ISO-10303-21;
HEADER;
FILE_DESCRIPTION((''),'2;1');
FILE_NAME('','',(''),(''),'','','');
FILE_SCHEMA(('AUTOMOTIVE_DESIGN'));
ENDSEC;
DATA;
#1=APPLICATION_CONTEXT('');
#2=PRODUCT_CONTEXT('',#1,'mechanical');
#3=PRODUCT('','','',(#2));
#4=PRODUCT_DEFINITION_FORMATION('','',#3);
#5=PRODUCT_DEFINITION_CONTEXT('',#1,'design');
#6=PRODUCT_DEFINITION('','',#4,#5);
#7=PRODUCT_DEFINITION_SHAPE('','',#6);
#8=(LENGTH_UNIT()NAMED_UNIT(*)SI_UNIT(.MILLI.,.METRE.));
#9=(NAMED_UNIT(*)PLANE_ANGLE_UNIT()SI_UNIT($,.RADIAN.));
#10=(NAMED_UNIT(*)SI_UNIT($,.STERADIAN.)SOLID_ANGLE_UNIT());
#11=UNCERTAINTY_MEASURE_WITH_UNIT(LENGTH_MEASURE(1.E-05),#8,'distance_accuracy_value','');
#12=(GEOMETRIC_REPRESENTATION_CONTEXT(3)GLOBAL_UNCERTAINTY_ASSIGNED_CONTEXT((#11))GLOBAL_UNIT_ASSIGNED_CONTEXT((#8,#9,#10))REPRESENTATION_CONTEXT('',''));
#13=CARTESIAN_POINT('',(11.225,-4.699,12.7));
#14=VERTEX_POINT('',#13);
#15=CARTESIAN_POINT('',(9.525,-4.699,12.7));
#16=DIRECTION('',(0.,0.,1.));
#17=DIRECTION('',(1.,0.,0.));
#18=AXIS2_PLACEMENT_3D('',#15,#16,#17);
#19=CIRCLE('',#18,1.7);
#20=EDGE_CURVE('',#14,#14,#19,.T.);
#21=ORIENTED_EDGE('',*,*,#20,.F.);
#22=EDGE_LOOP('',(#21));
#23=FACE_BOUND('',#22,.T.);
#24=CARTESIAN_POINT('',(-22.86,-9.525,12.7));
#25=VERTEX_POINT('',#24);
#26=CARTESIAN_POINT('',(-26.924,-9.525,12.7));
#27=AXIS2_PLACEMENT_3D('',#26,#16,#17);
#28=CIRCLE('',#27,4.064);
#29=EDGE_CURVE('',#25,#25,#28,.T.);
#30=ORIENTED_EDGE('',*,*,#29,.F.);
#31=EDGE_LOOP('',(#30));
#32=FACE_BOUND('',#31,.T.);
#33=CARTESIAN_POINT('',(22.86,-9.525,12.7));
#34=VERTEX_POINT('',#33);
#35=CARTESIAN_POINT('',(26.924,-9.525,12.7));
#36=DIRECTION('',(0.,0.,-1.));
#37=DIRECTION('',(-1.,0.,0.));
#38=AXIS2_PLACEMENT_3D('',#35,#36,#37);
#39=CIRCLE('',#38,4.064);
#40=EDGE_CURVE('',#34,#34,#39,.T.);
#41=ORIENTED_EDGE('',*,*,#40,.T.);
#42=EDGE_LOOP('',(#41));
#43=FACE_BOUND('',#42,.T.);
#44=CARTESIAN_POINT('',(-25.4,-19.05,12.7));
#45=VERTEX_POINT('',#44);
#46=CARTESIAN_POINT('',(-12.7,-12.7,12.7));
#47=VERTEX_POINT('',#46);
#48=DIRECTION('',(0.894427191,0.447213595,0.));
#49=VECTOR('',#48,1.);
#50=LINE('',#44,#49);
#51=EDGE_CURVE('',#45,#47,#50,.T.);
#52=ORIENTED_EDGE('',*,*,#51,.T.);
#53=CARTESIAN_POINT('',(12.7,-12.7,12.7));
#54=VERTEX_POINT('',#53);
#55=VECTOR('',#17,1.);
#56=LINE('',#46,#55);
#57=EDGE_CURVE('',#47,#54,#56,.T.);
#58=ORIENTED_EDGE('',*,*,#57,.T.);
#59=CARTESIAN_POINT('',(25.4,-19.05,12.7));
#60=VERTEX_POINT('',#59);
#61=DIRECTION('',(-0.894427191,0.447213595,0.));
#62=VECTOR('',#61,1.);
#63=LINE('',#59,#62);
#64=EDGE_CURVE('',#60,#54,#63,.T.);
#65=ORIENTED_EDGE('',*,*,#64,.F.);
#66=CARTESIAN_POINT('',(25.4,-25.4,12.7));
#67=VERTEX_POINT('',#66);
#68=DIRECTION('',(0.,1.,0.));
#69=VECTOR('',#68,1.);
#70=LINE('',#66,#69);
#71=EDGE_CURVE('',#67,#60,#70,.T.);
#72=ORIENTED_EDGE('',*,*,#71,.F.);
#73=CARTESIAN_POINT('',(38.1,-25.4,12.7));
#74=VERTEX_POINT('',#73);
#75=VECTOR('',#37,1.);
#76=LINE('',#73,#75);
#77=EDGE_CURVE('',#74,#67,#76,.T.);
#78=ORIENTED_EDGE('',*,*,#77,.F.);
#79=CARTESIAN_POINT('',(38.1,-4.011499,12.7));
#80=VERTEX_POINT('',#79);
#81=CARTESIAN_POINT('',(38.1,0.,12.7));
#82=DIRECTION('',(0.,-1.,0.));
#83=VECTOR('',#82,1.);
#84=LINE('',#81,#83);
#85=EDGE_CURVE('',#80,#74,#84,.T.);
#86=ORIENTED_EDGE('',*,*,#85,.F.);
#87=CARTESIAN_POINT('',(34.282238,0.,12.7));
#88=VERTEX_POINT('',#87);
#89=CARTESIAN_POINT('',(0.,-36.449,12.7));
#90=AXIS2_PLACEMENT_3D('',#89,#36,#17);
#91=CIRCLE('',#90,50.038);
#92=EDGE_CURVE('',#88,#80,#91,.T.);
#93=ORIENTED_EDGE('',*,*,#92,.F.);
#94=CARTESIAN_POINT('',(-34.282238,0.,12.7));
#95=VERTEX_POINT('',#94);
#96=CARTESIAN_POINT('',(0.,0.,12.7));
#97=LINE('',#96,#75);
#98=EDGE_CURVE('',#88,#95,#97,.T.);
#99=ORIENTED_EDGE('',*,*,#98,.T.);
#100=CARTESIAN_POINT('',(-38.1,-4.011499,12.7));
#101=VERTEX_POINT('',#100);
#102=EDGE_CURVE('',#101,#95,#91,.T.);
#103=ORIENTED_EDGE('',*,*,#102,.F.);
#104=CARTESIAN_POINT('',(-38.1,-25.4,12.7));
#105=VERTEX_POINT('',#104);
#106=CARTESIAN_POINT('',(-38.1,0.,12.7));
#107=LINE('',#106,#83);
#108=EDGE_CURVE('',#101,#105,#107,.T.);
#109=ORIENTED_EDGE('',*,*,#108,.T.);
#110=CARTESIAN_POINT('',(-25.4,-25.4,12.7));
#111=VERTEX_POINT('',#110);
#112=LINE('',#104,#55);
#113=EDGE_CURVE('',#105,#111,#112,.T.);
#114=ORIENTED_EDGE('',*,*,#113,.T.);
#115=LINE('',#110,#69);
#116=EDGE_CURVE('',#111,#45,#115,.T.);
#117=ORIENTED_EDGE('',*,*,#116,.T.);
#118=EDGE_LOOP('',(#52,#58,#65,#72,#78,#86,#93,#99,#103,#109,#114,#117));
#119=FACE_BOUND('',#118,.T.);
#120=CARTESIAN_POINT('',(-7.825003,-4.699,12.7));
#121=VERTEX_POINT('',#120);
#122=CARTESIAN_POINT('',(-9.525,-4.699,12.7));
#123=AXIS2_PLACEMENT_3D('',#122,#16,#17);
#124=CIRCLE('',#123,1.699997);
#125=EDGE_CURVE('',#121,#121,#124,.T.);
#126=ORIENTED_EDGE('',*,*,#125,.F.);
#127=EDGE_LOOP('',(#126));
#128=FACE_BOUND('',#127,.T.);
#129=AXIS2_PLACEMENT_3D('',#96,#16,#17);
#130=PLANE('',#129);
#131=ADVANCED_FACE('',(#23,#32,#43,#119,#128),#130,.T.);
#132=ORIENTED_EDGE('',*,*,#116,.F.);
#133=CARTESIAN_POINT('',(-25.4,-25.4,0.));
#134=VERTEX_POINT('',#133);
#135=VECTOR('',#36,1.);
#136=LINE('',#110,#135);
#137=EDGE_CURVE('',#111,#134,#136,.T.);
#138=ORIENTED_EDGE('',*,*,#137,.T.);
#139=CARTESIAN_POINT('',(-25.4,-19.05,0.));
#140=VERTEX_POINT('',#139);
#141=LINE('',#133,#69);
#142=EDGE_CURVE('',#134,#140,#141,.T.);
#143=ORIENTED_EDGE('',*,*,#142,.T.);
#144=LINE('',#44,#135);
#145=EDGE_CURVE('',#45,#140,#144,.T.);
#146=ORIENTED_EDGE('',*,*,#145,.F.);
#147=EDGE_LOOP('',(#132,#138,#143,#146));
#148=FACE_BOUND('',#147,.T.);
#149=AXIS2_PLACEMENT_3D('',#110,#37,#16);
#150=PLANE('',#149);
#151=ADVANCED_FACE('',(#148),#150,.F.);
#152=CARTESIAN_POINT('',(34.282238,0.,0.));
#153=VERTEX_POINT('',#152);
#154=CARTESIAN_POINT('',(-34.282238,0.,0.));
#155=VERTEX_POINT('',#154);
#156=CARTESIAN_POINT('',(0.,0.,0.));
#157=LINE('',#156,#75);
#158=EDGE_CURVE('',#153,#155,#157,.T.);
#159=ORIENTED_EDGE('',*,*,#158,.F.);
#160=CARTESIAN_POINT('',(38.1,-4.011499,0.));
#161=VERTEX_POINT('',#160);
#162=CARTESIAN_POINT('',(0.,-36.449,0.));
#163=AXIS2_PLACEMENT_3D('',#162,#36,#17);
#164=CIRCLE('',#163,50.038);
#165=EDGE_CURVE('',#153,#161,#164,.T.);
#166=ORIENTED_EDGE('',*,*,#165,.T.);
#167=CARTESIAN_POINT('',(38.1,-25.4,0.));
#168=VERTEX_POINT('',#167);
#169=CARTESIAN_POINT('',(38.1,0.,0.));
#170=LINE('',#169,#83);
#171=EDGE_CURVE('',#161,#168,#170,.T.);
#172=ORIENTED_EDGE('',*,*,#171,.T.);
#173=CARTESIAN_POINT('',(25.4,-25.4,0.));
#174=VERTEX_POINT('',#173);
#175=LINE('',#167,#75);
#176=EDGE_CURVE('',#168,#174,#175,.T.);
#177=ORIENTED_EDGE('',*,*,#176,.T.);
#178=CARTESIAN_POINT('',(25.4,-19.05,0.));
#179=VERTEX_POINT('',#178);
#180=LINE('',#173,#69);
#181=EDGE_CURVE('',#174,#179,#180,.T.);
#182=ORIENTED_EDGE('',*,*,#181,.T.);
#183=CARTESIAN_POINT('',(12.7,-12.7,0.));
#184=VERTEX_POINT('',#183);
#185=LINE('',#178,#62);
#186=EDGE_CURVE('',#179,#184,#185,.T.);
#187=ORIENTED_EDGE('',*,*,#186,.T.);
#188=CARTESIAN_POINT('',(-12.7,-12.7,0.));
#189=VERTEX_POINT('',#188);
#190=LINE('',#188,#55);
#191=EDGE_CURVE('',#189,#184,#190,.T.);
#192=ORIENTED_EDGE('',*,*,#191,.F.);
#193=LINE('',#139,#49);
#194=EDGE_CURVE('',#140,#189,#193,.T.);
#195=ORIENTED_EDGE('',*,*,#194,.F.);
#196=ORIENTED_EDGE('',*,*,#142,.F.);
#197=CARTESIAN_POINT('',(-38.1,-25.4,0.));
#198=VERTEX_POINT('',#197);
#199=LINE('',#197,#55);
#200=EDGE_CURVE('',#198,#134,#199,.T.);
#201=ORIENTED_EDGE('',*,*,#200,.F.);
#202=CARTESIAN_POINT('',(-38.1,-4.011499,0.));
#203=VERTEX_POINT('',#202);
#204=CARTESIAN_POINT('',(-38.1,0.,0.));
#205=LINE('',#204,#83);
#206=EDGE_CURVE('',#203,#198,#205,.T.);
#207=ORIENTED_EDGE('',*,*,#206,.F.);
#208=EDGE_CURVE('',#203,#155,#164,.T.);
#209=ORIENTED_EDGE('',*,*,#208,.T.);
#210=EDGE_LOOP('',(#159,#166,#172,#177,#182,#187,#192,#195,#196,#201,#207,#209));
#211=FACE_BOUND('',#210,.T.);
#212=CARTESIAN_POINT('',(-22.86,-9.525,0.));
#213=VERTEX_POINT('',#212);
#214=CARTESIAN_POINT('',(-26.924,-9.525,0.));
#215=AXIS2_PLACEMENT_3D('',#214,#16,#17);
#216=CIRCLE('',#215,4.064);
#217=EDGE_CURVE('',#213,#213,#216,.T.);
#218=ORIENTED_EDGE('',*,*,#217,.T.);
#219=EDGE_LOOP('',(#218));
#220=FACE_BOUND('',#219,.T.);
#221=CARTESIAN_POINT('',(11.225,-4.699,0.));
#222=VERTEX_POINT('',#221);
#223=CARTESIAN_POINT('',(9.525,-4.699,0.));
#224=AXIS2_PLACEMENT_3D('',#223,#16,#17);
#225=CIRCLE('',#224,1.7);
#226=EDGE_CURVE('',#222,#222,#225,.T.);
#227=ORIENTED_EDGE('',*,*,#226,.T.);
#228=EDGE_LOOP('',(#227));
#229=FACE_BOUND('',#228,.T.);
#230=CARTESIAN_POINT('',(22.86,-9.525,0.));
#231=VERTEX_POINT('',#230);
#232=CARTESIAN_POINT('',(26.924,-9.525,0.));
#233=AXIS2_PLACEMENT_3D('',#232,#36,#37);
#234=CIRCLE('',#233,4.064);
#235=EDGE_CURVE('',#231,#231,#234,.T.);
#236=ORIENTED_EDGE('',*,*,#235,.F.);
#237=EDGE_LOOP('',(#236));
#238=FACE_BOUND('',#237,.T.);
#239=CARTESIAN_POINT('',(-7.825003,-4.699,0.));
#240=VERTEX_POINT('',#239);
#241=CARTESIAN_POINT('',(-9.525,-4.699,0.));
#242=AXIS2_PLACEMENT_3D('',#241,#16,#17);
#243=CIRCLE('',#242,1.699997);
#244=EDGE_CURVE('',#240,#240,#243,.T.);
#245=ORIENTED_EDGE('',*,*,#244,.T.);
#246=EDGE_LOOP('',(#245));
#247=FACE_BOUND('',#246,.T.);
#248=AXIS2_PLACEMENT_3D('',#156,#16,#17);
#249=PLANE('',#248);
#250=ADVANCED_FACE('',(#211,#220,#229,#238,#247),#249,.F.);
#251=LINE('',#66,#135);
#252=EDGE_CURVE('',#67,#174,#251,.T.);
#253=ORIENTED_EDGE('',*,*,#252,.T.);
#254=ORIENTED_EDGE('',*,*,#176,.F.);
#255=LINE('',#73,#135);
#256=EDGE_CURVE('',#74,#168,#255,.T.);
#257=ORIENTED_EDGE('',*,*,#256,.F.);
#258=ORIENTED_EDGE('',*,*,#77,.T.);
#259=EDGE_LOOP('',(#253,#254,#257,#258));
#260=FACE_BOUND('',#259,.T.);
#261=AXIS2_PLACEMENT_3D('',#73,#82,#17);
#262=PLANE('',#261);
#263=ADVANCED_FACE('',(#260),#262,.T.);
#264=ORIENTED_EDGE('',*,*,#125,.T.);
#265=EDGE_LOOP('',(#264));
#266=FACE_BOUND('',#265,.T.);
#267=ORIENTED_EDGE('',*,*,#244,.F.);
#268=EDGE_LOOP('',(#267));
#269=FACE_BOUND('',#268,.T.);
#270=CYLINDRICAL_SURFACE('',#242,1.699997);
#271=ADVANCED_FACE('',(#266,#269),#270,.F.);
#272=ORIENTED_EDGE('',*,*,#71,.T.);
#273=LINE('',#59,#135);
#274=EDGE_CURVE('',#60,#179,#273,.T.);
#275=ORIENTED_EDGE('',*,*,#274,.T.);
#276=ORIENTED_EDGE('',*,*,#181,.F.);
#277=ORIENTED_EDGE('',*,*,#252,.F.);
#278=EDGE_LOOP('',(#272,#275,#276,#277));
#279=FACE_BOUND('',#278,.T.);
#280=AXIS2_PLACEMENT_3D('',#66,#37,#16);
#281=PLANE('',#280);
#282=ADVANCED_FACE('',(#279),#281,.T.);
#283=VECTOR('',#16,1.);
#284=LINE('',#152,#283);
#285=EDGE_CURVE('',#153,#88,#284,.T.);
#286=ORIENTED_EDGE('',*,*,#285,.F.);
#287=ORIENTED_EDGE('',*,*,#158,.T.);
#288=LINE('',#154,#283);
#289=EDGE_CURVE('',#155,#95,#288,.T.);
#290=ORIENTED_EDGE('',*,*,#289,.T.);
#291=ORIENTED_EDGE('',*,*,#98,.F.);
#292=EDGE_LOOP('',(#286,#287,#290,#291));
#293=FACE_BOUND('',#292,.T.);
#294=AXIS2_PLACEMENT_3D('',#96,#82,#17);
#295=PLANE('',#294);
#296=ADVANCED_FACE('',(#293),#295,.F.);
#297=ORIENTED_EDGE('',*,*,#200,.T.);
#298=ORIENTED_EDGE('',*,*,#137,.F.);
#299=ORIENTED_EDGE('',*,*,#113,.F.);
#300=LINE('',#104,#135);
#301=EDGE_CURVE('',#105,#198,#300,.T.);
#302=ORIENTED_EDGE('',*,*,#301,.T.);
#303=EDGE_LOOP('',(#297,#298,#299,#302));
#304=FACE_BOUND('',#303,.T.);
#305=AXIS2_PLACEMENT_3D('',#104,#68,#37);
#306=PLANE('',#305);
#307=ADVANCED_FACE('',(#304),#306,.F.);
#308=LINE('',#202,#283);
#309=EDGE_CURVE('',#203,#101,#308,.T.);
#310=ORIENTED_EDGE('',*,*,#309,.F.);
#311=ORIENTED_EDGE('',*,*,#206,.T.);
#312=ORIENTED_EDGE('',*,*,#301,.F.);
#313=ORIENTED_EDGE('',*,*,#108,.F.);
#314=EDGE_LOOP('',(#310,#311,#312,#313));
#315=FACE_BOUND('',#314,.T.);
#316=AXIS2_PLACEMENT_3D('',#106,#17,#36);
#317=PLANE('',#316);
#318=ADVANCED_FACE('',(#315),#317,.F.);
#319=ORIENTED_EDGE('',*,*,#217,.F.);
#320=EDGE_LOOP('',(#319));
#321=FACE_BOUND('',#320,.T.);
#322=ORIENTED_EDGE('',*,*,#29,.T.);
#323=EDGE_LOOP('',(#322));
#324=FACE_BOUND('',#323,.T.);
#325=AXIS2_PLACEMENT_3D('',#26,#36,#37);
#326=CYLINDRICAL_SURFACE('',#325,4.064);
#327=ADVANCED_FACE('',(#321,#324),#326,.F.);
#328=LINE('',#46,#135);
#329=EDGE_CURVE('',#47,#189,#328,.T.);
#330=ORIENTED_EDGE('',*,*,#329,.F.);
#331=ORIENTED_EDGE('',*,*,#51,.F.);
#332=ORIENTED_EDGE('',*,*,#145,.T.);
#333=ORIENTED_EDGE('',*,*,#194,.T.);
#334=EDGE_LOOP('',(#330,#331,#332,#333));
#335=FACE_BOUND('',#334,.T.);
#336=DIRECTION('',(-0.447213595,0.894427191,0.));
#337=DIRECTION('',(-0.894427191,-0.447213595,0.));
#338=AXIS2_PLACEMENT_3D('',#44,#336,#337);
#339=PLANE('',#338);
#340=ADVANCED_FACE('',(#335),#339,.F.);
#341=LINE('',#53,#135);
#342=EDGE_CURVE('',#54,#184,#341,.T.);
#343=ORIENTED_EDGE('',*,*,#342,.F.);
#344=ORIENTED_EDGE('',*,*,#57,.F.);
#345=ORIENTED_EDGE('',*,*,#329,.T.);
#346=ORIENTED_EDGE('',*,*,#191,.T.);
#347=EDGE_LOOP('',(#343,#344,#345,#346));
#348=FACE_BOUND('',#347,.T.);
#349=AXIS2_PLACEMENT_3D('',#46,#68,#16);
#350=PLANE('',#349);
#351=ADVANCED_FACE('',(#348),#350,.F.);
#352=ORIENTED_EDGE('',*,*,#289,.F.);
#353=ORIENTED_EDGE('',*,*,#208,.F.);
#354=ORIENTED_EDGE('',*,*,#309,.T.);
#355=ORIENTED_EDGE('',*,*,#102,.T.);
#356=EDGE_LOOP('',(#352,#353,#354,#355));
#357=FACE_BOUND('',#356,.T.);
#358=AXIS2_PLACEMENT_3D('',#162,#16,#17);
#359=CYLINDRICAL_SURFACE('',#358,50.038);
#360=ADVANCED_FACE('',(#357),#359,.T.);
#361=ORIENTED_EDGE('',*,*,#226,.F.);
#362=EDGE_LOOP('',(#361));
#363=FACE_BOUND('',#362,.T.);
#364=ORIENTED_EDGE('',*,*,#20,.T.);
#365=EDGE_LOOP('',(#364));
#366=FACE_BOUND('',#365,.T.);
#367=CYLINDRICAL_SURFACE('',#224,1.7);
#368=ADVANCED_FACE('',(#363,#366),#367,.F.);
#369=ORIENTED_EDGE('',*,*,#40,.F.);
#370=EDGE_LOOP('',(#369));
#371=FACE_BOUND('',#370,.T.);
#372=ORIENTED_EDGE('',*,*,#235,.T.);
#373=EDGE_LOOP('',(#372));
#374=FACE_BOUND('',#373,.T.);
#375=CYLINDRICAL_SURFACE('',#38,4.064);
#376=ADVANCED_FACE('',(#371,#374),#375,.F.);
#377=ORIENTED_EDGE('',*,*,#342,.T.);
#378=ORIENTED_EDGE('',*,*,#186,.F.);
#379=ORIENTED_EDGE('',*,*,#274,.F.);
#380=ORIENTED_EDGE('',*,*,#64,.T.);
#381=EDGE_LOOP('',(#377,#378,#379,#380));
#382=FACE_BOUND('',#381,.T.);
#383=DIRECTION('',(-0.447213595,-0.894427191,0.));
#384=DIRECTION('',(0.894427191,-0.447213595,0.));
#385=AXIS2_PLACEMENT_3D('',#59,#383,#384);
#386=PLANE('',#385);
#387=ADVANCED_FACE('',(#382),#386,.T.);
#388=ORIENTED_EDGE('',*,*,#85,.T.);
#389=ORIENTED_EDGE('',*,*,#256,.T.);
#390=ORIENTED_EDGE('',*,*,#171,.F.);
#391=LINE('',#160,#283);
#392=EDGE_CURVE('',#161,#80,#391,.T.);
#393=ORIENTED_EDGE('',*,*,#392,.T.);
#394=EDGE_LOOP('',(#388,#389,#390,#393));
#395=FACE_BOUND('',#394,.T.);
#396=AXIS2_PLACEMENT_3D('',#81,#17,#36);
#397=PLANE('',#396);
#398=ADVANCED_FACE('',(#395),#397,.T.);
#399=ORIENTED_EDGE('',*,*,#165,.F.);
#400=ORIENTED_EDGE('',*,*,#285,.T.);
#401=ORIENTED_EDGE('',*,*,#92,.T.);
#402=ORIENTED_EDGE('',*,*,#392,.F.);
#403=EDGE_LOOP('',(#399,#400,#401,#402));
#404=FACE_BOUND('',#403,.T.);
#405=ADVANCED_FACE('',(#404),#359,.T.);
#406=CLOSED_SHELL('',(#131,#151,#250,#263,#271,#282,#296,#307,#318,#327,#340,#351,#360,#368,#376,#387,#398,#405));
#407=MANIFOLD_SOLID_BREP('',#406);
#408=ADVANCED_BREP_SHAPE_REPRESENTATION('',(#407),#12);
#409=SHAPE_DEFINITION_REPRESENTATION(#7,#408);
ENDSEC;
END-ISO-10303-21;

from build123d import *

# Parameters (mm, degrees)
SKETCH1_R           = 4.064
BOSS_EXTRUDE1_DEPTH = 12.7
SKETCH2_R           = 1.6999966
SKETCH2_R_2         = 1.7
CUT_EXTRUDE1_DEPTH  = 48.519048812


with BuildPart() as part:
    # Sketch1 → Boss-Extrude1 (new body)
    with BuildSketch(Plane.XY):
        Polygon((0, 0), (-38.1, 0), (-38.1, -25.4), (-25.4, -25.4), (-25.4, -19.05), (-12.7, -12.7), (0, -12.7), align=None)
        with Locations((-26.924, -9.525)):
            Circle(SKETCH1_R, mode=Mode.SUBTRACT)
    boss_extrude1 = extrude(amount=BOSS_EXTRUDE1_DEPTH)

    # Mirror1: Boss-Extrude1 across plane
    add(boss_extrude1.mirror(Plane(origin=(0, -12.7, 12.7), x_dir=(0, 0, 1), z_dir=(-1, 0, 0))))

    # Sketch2 → Cut-Extrude1 (cut, through all)
    with BuildSketch(Plane.XY.offset(12.7)):
        with Locations((-9.525, -4.699)):
            Circle(SKETCH2_R)
        with Locations((9.525, -4.699)):
            Circle(SKETCH2_R_2)
        with BuildLine():
            Line((-38.1, -4.011499418), (-38.1, 0))
            Line((-38.1, 0), (-34.28223801, 0))
            ThreePointArc((-34.28223801, 0), (-36.246656766, -1.952894173), (-38.1, -4.011499418))
        make_face()
        with BuildLine():
            Line((34.28223801, 0), (38.1, 0))
            Line((38.1, 0), (38.1, -4.011499418))
            ThreePointArc((38.1, -4.011499418), (36.246656766, -1.952894173), (34.28223801, 0))
        make_face()
    extrude(amount=-CUT_EXTRUDE1_DEPTH, mode=Mode.SUBTRACT)


solid = part.part
